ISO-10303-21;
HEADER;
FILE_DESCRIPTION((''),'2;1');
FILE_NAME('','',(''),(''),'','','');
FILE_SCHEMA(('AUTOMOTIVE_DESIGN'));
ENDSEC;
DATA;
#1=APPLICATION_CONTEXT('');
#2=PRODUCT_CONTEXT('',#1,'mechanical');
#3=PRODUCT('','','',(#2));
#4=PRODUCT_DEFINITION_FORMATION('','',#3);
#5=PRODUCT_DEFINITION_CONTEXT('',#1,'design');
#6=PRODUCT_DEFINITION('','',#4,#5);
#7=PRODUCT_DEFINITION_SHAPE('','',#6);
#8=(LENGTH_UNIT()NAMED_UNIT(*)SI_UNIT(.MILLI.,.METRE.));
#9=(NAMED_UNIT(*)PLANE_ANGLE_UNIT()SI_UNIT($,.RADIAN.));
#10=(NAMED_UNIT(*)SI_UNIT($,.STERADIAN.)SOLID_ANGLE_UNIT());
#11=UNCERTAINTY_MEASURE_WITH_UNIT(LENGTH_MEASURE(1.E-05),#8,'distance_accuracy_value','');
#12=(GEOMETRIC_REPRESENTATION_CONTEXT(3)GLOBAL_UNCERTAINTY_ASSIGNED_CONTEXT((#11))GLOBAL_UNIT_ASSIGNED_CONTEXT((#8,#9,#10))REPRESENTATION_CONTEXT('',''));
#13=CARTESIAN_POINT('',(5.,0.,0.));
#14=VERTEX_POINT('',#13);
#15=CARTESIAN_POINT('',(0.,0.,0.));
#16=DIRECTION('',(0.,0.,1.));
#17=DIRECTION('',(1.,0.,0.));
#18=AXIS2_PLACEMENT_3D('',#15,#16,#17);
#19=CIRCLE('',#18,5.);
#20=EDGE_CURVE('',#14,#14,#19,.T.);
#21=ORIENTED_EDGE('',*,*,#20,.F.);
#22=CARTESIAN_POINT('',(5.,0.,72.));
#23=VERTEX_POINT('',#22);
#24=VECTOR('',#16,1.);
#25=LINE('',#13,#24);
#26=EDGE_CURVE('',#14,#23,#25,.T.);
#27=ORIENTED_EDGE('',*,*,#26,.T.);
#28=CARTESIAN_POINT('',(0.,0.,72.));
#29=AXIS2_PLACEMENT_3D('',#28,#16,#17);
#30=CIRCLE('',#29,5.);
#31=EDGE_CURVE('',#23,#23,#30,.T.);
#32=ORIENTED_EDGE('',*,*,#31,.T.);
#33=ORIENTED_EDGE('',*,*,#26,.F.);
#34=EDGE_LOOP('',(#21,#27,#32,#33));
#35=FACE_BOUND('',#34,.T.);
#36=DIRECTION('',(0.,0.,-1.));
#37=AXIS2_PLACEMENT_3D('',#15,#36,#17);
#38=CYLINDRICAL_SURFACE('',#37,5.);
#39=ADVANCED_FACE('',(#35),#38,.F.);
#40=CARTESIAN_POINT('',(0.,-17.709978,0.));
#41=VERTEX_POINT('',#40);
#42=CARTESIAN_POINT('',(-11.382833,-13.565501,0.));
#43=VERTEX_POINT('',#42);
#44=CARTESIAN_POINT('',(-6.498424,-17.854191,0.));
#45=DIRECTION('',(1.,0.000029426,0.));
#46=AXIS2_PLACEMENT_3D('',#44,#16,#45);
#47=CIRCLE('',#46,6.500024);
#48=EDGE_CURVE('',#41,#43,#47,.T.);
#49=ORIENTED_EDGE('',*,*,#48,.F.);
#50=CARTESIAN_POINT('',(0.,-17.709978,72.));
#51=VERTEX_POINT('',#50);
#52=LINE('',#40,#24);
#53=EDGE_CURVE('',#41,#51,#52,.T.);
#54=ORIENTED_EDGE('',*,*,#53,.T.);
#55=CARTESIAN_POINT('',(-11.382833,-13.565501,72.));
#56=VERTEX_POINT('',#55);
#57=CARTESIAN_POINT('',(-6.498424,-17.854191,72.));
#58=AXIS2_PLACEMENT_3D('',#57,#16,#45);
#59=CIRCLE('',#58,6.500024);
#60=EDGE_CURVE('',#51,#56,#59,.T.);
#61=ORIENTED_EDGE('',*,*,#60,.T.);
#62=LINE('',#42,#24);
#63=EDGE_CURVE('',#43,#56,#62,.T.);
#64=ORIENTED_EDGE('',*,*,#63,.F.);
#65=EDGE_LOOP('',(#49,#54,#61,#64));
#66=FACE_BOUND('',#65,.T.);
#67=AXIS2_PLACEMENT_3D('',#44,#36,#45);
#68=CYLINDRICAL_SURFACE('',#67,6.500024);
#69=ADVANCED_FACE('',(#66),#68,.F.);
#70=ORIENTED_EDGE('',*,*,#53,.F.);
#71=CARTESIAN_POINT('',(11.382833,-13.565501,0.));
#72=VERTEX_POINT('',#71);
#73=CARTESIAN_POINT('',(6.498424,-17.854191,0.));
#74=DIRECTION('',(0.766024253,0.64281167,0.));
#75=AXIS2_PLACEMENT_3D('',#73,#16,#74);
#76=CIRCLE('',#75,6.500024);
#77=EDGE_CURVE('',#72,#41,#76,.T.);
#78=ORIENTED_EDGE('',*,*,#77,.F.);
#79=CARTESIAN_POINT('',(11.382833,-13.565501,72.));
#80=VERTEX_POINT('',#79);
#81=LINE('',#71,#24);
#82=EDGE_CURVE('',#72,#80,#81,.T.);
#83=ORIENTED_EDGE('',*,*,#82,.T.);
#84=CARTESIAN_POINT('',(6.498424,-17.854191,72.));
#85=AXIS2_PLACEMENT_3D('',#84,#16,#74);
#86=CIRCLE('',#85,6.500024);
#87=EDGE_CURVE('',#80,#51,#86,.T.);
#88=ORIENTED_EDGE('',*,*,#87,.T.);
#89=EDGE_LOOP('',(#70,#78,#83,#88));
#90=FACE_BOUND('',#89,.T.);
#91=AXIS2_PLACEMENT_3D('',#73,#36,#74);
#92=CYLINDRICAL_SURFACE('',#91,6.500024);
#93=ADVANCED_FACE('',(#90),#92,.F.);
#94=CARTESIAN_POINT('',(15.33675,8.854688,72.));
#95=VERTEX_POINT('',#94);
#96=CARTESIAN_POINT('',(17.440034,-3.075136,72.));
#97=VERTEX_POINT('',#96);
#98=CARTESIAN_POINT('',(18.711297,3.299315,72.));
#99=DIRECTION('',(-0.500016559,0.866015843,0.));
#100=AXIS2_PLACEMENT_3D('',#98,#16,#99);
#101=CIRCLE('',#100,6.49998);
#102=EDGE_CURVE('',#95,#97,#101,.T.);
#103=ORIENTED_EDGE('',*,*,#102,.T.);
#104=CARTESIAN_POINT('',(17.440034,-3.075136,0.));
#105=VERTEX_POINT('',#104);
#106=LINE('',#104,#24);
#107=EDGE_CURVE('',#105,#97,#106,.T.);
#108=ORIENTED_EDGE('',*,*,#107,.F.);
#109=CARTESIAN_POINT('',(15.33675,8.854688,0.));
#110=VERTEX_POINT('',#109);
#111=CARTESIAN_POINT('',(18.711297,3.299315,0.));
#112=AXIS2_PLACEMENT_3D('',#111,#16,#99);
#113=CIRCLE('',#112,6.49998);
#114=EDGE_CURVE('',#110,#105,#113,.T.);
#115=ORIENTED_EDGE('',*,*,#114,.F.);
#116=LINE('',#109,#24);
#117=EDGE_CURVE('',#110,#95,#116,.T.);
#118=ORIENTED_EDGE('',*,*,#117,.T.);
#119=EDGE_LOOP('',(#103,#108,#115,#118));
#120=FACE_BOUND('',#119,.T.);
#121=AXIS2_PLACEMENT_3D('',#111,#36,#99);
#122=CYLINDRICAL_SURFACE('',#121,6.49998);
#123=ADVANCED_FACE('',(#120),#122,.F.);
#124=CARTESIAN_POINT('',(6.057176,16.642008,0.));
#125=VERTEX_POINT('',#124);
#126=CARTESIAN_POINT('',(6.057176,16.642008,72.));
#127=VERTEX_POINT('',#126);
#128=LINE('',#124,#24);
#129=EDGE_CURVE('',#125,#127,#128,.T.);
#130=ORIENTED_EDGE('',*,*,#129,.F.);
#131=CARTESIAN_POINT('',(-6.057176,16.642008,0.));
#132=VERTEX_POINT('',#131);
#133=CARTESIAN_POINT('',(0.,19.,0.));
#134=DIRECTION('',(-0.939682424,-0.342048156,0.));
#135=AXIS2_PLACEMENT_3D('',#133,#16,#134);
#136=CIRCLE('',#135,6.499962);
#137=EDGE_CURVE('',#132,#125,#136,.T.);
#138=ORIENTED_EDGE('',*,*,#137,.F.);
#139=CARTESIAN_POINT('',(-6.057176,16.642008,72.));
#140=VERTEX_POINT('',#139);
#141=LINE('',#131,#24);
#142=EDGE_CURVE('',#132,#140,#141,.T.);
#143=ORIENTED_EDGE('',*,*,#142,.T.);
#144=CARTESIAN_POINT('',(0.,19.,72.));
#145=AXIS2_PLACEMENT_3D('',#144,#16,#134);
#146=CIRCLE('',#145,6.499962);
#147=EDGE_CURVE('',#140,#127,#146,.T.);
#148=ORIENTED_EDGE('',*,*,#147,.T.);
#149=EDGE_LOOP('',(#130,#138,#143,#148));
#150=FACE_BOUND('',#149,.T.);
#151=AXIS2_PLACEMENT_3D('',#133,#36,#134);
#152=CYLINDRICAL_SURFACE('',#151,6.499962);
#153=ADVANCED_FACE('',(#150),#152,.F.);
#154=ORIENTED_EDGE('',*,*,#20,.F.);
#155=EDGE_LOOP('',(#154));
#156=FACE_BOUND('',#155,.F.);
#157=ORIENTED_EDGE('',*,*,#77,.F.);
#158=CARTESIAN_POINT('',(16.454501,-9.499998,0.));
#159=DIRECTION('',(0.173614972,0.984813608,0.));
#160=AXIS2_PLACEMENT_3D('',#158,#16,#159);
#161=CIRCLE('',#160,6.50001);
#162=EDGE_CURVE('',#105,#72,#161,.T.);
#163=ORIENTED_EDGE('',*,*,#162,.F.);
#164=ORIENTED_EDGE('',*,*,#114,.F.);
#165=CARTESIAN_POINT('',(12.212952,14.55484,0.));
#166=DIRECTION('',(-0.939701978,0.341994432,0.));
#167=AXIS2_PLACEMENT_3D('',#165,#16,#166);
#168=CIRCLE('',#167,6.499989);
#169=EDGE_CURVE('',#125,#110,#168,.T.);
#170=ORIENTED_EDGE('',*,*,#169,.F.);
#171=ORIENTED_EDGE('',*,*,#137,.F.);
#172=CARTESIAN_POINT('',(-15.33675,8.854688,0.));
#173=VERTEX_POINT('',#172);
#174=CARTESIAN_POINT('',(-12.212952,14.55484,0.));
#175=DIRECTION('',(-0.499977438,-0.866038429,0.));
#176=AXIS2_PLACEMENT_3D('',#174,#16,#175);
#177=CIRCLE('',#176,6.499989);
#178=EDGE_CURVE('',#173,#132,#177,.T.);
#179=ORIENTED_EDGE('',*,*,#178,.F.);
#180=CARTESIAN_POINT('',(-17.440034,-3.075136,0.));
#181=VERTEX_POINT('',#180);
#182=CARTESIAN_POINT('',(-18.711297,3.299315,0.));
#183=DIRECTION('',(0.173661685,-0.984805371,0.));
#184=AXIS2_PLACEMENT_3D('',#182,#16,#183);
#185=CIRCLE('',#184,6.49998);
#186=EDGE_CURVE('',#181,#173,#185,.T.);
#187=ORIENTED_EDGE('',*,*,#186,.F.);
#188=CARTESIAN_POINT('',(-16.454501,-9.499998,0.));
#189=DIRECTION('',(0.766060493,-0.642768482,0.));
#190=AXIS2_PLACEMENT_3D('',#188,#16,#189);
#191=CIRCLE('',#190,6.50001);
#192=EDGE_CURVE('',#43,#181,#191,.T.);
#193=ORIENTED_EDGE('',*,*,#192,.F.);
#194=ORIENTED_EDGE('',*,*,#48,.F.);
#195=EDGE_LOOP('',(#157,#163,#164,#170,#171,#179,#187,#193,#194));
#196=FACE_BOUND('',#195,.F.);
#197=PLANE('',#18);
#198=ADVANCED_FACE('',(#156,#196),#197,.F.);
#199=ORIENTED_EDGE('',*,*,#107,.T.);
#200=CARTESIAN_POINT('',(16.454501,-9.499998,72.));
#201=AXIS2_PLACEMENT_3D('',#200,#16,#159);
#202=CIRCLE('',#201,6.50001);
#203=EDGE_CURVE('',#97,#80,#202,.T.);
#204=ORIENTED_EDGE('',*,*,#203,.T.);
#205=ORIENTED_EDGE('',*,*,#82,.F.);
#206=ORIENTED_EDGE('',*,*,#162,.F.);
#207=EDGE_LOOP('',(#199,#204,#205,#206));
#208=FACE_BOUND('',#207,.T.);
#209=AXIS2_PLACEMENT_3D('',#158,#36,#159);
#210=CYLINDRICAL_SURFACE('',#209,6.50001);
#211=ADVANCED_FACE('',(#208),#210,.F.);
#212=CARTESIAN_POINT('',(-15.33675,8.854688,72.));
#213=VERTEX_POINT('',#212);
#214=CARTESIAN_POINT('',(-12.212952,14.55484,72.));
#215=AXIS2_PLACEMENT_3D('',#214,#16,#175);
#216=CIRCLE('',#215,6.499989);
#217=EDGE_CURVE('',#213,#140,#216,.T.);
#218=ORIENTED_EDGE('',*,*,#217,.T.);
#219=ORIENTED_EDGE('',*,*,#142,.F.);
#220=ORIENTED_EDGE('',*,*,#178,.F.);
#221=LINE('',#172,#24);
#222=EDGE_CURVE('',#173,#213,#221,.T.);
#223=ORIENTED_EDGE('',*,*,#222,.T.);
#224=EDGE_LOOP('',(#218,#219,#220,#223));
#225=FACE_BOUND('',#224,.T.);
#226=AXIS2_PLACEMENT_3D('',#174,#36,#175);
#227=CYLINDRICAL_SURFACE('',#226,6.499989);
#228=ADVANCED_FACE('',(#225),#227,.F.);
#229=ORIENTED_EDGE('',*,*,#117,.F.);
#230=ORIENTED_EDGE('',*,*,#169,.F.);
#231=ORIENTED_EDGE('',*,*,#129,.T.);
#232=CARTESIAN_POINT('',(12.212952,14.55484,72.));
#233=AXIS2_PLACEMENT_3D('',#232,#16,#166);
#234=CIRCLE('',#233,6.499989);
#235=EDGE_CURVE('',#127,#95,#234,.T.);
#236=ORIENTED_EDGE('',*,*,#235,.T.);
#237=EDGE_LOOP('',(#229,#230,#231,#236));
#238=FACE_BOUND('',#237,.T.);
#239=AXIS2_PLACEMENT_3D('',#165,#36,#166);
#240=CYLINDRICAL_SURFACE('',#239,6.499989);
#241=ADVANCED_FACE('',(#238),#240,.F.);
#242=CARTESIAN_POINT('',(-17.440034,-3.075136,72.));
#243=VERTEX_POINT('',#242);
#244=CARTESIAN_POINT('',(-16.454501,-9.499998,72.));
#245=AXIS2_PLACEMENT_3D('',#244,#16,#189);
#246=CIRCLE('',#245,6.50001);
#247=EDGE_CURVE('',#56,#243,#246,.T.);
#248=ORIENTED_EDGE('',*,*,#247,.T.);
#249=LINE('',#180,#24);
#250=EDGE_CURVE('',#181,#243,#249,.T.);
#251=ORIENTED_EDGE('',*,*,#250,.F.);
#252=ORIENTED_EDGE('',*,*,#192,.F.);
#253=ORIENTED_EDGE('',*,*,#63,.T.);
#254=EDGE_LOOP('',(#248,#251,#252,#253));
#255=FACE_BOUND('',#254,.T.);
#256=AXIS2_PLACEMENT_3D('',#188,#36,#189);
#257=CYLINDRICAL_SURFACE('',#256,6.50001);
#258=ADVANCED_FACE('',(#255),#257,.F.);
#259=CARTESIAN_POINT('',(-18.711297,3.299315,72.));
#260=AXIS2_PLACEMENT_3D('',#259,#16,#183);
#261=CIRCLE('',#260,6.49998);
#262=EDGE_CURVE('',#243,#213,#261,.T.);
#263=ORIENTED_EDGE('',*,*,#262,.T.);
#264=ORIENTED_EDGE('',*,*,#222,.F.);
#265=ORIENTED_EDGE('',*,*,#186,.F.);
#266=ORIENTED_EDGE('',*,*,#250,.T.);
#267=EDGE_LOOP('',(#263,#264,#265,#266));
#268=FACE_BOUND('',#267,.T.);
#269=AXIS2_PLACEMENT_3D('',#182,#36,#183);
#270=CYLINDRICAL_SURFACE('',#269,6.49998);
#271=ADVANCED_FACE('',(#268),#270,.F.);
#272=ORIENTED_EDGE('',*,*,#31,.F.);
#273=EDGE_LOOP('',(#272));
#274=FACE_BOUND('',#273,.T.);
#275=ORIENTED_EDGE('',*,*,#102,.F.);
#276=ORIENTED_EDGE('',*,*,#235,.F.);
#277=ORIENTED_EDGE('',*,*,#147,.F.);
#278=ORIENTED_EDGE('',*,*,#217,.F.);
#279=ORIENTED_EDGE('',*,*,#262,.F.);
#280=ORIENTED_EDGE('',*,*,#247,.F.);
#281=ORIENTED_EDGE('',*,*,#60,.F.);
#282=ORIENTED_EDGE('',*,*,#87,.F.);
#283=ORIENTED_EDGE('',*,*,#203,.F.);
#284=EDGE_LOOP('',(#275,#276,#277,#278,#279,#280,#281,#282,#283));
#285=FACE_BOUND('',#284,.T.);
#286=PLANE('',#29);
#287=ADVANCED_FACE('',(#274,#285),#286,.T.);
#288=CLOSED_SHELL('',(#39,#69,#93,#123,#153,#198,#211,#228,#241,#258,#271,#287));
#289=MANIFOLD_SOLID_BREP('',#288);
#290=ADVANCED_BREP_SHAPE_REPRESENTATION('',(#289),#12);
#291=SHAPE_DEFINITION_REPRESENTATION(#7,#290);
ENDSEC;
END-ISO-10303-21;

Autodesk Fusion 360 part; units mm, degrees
sketch "Sketch1" plane through (0, 0, 0) normal (0, 0, 1) x (1, 0, 0)
  line L0 (-6.1079, 16.7767) -> (-6.1049, 16.7778)
  line L1 (-15.4628, 8.9256) -> (-15.4612, 8.9284)
  line L2 (-17.5825, -3.1019) -> (-17.583, -3.0987)
  line L3 (-11.4751, -13.678) -> (-11.4776, -13.6759)
  line L4 (0.0016, -17.854) -> (-0.0016, -17.854)
  line L5 (11.4776, -13.6759) -> (11.4751, -13.678)
  line L6 (17.583, -3.0987) -> (17.5825, -3.1019)
  line L7 (15.4612, 8.9284) -> (15.4628, 8.9256)
  line L8 (6.1049, 16.7778) -> (6.1079, 16.7767)
  circle A0 centre (0, 0) radius 5
  arc A1 (-6.1079, 16.7767) -> (6.1079, 16.7767) centre (0, 19) ccw
  arc A2 (-15.4628, 8.9256) -> (-6.1049, 16.7778) centre (-12.213, 14.5548) ccw
  arc A3 (-17.5825, -3.1019) -> (-15.4612, 8.9284) centre (-18.7113, 3.2993) ccw
  arc A4 (-11.4751, -13.678) -> (-17.583, -3.0987) centre (-16.4545, -9.5) ccw
  arc A5 (0.0016, -17.854) -> (-11.4776, -13.6759) centre (-6.4984, -17.8542) ccw
  arc A6 (11.4776, -13.6759) -> (-0.0016, -17.854) centre (6.4984, -17.8542) ccw
  arc A7 (17.583, -3.0987) -> (11.4751, -13.678) centre (16.4545, -9.5) ccw
  arc A8 (15.4612, 8.9284) -> (17.5825, -3.1019) centre (18.7113, 3.2993) ccw
  arc A9 (6.1049, 16.7778) -> (15.4628, 8.9256) centre (12.213, 14.5548) ccw
  dimension "d1" = 19
  dimension "d2" = 10
  dimension "d3" = 13
  dimension "d5" = 360
extrude "Extrude1" add sketch "Sketch1" along normal blind 72 contours A1 A2 A3 A4 A5 A6 A7 A8 A9
